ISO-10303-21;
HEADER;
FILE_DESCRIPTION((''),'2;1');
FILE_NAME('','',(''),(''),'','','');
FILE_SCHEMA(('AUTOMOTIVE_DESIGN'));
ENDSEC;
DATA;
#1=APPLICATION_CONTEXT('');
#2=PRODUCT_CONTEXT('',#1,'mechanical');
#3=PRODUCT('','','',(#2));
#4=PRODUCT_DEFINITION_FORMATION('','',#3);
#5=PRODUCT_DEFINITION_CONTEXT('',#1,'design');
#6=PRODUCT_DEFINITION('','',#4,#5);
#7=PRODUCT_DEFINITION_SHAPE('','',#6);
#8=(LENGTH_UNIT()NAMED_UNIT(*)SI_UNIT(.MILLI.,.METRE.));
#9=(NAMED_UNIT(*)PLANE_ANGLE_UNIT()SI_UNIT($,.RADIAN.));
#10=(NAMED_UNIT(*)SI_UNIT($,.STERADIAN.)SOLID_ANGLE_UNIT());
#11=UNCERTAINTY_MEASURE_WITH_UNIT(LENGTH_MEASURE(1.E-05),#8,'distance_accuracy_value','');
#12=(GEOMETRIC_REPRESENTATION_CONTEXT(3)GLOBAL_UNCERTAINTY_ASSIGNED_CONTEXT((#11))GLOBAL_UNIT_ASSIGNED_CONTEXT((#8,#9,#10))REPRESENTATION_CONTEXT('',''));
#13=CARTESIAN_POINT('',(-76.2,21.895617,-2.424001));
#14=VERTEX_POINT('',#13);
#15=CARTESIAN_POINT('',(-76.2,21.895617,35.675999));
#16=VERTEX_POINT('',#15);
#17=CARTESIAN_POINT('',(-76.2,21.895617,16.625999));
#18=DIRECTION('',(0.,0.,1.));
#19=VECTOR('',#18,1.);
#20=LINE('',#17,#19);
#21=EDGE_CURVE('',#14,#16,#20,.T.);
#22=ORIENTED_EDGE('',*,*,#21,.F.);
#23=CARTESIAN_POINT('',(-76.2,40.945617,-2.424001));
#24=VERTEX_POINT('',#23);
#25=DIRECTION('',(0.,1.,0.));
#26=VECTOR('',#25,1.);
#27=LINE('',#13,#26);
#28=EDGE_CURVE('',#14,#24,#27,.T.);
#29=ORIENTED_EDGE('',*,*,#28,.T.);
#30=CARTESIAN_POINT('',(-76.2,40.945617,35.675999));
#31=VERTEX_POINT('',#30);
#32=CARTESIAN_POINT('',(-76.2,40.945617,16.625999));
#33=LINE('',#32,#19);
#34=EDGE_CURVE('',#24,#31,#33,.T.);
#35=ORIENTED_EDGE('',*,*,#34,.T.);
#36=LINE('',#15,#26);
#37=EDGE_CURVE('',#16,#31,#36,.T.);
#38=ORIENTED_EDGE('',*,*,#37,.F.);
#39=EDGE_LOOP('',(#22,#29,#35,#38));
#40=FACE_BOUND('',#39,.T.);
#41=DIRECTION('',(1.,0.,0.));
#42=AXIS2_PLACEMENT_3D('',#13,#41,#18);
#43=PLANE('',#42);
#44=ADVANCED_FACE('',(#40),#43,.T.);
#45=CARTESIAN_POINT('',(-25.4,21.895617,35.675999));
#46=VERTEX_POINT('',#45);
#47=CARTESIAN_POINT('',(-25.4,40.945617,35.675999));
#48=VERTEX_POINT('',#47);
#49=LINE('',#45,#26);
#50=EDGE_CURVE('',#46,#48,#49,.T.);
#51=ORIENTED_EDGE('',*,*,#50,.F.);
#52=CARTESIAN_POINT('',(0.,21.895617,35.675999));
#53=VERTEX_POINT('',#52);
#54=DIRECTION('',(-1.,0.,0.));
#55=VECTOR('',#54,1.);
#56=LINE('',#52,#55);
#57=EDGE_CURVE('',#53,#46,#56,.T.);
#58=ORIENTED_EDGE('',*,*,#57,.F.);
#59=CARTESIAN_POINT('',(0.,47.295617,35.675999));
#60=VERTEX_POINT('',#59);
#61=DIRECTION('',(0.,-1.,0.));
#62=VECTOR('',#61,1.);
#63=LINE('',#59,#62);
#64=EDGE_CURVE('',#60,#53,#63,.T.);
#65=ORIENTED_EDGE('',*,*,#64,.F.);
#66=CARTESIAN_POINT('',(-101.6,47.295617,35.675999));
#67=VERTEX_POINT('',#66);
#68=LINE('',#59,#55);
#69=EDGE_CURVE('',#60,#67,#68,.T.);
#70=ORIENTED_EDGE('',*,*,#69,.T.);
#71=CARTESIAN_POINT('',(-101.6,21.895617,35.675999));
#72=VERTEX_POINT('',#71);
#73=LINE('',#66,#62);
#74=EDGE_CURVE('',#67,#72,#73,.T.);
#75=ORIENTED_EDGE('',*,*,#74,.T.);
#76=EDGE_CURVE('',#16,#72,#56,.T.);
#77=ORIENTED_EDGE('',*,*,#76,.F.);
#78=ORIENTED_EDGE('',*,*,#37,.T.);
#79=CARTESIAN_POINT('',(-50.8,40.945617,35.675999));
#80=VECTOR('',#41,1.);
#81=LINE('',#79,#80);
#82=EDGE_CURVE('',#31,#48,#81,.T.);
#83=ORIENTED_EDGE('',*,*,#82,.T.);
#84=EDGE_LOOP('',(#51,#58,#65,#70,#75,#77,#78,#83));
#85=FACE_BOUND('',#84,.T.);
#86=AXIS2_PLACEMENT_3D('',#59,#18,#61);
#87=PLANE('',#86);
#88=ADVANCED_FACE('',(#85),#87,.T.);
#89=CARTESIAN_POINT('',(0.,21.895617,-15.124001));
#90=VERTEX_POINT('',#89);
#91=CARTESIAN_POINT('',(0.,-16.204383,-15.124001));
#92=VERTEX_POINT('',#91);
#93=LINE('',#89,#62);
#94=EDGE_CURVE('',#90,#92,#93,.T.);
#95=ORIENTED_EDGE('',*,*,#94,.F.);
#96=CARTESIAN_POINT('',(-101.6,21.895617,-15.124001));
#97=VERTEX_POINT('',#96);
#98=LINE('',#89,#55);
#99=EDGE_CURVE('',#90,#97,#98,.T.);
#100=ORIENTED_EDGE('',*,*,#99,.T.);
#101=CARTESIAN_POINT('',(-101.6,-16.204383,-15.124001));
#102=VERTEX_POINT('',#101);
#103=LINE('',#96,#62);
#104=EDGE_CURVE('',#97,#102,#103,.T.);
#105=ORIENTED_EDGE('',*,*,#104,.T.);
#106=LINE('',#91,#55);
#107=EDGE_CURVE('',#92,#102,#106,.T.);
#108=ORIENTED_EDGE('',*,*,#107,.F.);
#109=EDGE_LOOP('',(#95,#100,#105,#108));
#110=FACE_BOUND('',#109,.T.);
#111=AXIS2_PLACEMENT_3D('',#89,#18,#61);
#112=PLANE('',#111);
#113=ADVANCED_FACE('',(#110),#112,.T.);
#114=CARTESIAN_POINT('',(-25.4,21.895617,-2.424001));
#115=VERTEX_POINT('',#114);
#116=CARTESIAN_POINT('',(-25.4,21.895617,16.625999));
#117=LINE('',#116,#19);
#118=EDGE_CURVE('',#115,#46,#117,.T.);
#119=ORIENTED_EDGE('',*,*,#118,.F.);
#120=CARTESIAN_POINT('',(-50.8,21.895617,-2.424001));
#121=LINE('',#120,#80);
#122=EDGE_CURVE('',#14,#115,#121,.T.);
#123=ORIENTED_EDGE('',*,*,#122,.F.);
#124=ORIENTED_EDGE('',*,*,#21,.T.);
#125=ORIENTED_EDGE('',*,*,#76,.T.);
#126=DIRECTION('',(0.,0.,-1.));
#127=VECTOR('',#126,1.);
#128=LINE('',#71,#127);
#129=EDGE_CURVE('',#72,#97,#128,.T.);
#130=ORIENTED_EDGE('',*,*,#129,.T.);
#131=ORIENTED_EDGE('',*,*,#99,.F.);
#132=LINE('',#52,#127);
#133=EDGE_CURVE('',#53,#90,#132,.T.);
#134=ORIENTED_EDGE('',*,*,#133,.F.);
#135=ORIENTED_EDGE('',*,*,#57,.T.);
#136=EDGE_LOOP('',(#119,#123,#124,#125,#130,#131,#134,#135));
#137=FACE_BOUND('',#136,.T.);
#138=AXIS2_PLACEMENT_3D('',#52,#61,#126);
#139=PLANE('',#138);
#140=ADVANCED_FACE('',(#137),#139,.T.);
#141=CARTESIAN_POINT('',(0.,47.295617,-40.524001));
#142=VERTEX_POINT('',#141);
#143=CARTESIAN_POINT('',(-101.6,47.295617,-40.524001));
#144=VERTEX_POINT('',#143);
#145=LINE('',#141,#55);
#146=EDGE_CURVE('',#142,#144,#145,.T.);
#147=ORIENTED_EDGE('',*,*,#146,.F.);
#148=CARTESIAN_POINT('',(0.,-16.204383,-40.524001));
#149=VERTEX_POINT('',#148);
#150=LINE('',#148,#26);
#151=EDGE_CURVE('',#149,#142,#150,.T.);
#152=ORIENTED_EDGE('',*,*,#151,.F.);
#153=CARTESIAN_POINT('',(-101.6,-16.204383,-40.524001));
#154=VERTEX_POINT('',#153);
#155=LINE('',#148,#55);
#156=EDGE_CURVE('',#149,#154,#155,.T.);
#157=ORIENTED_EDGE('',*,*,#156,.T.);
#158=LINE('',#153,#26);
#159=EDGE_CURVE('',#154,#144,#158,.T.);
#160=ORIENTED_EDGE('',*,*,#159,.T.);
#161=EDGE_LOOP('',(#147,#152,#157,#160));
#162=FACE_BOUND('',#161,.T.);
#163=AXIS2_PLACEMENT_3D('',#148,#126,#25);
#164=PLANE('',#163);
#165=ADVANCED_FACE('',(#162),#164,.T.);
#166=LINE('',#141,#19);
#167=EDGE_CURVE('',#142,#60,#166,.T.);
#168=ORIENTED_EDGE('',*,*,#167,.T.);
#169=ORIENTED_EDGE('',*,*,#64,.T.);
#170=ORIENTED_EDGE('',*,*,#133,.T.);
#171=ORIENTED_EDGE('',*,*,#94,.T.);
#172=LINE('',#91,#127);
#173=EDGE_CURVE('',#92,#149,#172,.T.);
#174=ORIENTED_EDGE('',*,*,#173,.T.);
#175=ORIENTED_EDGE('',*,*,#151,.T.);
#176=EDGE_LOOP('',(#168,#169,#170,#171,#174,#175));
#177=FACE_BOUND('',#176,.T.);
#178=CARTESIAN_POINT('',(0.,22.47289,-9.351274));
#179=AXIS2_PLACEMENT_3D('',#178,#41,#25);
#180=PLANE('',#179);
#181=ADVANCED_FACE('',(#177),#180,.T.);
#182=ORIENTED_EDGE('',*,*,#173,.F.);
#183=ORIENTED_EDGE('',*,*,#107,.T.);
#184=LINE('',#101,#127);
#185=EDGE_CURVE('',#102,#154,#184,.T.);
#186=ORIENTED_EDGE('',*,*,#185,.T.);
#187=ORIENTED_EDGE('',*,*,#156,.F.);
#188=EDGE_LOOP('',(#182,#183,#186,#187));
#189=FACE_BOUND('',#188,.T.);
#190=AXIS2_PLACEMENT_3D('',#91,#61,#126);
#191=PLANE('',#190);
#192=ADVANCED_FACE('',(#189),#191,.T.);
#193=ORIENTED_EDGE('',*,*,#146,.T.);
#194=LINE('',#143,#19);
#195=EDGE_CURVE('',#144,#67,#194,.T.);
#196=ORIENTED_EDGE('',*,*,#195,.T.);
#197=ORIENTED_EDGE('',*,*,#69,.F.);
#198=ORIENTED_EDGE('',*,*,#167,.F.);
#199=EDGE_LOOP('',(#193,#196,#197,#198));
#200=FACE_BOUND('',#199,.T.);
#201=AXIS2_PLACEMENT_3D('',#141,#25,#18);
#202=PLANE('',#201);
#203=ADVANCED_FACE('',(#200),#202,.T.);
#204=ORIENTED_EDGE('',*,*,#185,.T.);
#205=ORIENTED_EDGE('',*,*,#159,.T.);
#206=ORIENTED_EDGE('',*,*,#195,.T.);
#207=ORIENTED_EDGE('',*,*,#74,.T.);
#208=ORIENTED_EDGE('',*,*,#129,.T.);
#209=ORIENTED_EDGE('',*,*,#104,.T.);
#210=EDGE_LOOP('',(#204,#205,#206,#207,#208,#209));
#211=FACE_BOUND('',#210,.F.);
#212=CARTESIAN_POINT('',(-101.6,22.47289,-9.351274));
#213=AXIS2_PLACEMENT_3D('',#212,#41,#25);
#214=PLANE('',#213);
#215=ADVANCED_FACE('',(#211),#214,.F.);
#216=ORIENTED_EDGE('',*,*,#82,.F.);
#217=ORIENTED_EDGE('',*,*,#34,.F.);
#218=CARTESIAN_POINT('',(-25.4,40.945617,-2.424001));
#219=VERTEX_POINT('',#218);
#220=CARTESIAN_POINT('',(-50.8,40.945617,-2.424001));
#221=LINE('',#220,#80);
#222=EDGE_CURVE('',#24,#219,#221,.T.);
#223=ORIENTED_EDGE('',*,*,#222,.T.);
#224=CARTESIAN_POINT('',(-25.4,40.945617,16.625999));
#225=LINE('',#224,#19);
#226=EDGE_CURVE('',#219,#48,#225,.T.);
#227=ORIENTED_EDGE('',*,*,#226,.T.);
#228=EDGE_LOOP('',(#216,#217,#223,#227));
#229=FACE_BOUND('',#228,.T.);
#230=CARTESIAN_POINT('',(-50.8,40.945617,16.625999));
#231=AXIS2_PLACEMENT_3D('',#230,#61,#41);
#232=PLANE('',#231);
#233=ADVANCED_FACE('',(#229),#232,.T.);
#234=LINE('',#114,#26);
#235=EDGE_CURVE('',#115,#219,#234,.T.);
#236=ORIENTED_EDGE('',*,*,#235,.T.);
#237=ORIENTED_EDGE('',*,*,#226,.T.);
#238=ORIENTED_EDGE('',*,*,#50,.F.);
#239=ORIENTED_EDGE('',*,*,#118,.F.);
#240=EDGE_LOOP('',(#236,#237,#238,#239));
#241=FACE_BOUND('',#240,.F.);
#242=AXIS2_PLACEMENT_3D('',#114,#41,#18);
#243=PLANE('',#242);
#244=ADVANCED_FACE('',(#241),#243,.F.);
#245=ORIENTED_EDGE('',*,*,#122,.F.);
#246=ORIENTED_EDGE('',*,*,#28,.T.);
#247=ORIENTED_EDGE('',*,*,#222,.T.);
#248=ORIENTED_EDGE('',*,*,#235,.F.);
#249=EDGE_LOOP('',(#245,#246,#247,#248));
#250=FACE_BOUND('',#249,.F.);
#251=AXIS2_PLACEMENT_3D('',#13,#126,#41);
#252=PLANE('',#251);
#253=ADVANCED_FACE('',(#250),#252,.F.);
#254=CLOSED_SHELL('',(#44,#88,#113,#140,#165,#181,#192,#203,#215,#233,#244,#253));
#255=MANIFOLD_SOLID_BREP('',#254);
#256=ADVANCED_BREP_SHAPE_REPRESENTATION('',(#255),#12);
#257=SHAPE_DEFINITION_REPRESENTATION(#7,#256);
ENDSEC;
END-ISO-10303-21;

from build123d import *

# Parameters (mm, degrees)
F1_DEPTH = 101.6
F2_W     = 50.8
F2_H     = 38.1
F3_DEPTH = 19.05


with BuildPart() as f1:
    # F0 (on Right) → F1 (new body)
    with BuildSketch(Plane.YZ):
        Polygon((-16.204383, -15.124001), (-16.204383, -40.524001), (47.295617, -40.524001), (47.295617, 35.675999), (21.895617, 35.675999), (21.895617, -15.124001), align=None)
    extrude(amount=-F1_DEPTH)

    # F2 (on face) → F3 (cut)
    with BuildSketch(Plane.XZ.offset(-21.895617)):
        with Locations((-50.8, 16.625999)):
            Rectangle(F2_W, F2_H)
    extrude(amount=-F3_DEPTH, mode=Mode.SUBTRACT)


solid = f1.part
